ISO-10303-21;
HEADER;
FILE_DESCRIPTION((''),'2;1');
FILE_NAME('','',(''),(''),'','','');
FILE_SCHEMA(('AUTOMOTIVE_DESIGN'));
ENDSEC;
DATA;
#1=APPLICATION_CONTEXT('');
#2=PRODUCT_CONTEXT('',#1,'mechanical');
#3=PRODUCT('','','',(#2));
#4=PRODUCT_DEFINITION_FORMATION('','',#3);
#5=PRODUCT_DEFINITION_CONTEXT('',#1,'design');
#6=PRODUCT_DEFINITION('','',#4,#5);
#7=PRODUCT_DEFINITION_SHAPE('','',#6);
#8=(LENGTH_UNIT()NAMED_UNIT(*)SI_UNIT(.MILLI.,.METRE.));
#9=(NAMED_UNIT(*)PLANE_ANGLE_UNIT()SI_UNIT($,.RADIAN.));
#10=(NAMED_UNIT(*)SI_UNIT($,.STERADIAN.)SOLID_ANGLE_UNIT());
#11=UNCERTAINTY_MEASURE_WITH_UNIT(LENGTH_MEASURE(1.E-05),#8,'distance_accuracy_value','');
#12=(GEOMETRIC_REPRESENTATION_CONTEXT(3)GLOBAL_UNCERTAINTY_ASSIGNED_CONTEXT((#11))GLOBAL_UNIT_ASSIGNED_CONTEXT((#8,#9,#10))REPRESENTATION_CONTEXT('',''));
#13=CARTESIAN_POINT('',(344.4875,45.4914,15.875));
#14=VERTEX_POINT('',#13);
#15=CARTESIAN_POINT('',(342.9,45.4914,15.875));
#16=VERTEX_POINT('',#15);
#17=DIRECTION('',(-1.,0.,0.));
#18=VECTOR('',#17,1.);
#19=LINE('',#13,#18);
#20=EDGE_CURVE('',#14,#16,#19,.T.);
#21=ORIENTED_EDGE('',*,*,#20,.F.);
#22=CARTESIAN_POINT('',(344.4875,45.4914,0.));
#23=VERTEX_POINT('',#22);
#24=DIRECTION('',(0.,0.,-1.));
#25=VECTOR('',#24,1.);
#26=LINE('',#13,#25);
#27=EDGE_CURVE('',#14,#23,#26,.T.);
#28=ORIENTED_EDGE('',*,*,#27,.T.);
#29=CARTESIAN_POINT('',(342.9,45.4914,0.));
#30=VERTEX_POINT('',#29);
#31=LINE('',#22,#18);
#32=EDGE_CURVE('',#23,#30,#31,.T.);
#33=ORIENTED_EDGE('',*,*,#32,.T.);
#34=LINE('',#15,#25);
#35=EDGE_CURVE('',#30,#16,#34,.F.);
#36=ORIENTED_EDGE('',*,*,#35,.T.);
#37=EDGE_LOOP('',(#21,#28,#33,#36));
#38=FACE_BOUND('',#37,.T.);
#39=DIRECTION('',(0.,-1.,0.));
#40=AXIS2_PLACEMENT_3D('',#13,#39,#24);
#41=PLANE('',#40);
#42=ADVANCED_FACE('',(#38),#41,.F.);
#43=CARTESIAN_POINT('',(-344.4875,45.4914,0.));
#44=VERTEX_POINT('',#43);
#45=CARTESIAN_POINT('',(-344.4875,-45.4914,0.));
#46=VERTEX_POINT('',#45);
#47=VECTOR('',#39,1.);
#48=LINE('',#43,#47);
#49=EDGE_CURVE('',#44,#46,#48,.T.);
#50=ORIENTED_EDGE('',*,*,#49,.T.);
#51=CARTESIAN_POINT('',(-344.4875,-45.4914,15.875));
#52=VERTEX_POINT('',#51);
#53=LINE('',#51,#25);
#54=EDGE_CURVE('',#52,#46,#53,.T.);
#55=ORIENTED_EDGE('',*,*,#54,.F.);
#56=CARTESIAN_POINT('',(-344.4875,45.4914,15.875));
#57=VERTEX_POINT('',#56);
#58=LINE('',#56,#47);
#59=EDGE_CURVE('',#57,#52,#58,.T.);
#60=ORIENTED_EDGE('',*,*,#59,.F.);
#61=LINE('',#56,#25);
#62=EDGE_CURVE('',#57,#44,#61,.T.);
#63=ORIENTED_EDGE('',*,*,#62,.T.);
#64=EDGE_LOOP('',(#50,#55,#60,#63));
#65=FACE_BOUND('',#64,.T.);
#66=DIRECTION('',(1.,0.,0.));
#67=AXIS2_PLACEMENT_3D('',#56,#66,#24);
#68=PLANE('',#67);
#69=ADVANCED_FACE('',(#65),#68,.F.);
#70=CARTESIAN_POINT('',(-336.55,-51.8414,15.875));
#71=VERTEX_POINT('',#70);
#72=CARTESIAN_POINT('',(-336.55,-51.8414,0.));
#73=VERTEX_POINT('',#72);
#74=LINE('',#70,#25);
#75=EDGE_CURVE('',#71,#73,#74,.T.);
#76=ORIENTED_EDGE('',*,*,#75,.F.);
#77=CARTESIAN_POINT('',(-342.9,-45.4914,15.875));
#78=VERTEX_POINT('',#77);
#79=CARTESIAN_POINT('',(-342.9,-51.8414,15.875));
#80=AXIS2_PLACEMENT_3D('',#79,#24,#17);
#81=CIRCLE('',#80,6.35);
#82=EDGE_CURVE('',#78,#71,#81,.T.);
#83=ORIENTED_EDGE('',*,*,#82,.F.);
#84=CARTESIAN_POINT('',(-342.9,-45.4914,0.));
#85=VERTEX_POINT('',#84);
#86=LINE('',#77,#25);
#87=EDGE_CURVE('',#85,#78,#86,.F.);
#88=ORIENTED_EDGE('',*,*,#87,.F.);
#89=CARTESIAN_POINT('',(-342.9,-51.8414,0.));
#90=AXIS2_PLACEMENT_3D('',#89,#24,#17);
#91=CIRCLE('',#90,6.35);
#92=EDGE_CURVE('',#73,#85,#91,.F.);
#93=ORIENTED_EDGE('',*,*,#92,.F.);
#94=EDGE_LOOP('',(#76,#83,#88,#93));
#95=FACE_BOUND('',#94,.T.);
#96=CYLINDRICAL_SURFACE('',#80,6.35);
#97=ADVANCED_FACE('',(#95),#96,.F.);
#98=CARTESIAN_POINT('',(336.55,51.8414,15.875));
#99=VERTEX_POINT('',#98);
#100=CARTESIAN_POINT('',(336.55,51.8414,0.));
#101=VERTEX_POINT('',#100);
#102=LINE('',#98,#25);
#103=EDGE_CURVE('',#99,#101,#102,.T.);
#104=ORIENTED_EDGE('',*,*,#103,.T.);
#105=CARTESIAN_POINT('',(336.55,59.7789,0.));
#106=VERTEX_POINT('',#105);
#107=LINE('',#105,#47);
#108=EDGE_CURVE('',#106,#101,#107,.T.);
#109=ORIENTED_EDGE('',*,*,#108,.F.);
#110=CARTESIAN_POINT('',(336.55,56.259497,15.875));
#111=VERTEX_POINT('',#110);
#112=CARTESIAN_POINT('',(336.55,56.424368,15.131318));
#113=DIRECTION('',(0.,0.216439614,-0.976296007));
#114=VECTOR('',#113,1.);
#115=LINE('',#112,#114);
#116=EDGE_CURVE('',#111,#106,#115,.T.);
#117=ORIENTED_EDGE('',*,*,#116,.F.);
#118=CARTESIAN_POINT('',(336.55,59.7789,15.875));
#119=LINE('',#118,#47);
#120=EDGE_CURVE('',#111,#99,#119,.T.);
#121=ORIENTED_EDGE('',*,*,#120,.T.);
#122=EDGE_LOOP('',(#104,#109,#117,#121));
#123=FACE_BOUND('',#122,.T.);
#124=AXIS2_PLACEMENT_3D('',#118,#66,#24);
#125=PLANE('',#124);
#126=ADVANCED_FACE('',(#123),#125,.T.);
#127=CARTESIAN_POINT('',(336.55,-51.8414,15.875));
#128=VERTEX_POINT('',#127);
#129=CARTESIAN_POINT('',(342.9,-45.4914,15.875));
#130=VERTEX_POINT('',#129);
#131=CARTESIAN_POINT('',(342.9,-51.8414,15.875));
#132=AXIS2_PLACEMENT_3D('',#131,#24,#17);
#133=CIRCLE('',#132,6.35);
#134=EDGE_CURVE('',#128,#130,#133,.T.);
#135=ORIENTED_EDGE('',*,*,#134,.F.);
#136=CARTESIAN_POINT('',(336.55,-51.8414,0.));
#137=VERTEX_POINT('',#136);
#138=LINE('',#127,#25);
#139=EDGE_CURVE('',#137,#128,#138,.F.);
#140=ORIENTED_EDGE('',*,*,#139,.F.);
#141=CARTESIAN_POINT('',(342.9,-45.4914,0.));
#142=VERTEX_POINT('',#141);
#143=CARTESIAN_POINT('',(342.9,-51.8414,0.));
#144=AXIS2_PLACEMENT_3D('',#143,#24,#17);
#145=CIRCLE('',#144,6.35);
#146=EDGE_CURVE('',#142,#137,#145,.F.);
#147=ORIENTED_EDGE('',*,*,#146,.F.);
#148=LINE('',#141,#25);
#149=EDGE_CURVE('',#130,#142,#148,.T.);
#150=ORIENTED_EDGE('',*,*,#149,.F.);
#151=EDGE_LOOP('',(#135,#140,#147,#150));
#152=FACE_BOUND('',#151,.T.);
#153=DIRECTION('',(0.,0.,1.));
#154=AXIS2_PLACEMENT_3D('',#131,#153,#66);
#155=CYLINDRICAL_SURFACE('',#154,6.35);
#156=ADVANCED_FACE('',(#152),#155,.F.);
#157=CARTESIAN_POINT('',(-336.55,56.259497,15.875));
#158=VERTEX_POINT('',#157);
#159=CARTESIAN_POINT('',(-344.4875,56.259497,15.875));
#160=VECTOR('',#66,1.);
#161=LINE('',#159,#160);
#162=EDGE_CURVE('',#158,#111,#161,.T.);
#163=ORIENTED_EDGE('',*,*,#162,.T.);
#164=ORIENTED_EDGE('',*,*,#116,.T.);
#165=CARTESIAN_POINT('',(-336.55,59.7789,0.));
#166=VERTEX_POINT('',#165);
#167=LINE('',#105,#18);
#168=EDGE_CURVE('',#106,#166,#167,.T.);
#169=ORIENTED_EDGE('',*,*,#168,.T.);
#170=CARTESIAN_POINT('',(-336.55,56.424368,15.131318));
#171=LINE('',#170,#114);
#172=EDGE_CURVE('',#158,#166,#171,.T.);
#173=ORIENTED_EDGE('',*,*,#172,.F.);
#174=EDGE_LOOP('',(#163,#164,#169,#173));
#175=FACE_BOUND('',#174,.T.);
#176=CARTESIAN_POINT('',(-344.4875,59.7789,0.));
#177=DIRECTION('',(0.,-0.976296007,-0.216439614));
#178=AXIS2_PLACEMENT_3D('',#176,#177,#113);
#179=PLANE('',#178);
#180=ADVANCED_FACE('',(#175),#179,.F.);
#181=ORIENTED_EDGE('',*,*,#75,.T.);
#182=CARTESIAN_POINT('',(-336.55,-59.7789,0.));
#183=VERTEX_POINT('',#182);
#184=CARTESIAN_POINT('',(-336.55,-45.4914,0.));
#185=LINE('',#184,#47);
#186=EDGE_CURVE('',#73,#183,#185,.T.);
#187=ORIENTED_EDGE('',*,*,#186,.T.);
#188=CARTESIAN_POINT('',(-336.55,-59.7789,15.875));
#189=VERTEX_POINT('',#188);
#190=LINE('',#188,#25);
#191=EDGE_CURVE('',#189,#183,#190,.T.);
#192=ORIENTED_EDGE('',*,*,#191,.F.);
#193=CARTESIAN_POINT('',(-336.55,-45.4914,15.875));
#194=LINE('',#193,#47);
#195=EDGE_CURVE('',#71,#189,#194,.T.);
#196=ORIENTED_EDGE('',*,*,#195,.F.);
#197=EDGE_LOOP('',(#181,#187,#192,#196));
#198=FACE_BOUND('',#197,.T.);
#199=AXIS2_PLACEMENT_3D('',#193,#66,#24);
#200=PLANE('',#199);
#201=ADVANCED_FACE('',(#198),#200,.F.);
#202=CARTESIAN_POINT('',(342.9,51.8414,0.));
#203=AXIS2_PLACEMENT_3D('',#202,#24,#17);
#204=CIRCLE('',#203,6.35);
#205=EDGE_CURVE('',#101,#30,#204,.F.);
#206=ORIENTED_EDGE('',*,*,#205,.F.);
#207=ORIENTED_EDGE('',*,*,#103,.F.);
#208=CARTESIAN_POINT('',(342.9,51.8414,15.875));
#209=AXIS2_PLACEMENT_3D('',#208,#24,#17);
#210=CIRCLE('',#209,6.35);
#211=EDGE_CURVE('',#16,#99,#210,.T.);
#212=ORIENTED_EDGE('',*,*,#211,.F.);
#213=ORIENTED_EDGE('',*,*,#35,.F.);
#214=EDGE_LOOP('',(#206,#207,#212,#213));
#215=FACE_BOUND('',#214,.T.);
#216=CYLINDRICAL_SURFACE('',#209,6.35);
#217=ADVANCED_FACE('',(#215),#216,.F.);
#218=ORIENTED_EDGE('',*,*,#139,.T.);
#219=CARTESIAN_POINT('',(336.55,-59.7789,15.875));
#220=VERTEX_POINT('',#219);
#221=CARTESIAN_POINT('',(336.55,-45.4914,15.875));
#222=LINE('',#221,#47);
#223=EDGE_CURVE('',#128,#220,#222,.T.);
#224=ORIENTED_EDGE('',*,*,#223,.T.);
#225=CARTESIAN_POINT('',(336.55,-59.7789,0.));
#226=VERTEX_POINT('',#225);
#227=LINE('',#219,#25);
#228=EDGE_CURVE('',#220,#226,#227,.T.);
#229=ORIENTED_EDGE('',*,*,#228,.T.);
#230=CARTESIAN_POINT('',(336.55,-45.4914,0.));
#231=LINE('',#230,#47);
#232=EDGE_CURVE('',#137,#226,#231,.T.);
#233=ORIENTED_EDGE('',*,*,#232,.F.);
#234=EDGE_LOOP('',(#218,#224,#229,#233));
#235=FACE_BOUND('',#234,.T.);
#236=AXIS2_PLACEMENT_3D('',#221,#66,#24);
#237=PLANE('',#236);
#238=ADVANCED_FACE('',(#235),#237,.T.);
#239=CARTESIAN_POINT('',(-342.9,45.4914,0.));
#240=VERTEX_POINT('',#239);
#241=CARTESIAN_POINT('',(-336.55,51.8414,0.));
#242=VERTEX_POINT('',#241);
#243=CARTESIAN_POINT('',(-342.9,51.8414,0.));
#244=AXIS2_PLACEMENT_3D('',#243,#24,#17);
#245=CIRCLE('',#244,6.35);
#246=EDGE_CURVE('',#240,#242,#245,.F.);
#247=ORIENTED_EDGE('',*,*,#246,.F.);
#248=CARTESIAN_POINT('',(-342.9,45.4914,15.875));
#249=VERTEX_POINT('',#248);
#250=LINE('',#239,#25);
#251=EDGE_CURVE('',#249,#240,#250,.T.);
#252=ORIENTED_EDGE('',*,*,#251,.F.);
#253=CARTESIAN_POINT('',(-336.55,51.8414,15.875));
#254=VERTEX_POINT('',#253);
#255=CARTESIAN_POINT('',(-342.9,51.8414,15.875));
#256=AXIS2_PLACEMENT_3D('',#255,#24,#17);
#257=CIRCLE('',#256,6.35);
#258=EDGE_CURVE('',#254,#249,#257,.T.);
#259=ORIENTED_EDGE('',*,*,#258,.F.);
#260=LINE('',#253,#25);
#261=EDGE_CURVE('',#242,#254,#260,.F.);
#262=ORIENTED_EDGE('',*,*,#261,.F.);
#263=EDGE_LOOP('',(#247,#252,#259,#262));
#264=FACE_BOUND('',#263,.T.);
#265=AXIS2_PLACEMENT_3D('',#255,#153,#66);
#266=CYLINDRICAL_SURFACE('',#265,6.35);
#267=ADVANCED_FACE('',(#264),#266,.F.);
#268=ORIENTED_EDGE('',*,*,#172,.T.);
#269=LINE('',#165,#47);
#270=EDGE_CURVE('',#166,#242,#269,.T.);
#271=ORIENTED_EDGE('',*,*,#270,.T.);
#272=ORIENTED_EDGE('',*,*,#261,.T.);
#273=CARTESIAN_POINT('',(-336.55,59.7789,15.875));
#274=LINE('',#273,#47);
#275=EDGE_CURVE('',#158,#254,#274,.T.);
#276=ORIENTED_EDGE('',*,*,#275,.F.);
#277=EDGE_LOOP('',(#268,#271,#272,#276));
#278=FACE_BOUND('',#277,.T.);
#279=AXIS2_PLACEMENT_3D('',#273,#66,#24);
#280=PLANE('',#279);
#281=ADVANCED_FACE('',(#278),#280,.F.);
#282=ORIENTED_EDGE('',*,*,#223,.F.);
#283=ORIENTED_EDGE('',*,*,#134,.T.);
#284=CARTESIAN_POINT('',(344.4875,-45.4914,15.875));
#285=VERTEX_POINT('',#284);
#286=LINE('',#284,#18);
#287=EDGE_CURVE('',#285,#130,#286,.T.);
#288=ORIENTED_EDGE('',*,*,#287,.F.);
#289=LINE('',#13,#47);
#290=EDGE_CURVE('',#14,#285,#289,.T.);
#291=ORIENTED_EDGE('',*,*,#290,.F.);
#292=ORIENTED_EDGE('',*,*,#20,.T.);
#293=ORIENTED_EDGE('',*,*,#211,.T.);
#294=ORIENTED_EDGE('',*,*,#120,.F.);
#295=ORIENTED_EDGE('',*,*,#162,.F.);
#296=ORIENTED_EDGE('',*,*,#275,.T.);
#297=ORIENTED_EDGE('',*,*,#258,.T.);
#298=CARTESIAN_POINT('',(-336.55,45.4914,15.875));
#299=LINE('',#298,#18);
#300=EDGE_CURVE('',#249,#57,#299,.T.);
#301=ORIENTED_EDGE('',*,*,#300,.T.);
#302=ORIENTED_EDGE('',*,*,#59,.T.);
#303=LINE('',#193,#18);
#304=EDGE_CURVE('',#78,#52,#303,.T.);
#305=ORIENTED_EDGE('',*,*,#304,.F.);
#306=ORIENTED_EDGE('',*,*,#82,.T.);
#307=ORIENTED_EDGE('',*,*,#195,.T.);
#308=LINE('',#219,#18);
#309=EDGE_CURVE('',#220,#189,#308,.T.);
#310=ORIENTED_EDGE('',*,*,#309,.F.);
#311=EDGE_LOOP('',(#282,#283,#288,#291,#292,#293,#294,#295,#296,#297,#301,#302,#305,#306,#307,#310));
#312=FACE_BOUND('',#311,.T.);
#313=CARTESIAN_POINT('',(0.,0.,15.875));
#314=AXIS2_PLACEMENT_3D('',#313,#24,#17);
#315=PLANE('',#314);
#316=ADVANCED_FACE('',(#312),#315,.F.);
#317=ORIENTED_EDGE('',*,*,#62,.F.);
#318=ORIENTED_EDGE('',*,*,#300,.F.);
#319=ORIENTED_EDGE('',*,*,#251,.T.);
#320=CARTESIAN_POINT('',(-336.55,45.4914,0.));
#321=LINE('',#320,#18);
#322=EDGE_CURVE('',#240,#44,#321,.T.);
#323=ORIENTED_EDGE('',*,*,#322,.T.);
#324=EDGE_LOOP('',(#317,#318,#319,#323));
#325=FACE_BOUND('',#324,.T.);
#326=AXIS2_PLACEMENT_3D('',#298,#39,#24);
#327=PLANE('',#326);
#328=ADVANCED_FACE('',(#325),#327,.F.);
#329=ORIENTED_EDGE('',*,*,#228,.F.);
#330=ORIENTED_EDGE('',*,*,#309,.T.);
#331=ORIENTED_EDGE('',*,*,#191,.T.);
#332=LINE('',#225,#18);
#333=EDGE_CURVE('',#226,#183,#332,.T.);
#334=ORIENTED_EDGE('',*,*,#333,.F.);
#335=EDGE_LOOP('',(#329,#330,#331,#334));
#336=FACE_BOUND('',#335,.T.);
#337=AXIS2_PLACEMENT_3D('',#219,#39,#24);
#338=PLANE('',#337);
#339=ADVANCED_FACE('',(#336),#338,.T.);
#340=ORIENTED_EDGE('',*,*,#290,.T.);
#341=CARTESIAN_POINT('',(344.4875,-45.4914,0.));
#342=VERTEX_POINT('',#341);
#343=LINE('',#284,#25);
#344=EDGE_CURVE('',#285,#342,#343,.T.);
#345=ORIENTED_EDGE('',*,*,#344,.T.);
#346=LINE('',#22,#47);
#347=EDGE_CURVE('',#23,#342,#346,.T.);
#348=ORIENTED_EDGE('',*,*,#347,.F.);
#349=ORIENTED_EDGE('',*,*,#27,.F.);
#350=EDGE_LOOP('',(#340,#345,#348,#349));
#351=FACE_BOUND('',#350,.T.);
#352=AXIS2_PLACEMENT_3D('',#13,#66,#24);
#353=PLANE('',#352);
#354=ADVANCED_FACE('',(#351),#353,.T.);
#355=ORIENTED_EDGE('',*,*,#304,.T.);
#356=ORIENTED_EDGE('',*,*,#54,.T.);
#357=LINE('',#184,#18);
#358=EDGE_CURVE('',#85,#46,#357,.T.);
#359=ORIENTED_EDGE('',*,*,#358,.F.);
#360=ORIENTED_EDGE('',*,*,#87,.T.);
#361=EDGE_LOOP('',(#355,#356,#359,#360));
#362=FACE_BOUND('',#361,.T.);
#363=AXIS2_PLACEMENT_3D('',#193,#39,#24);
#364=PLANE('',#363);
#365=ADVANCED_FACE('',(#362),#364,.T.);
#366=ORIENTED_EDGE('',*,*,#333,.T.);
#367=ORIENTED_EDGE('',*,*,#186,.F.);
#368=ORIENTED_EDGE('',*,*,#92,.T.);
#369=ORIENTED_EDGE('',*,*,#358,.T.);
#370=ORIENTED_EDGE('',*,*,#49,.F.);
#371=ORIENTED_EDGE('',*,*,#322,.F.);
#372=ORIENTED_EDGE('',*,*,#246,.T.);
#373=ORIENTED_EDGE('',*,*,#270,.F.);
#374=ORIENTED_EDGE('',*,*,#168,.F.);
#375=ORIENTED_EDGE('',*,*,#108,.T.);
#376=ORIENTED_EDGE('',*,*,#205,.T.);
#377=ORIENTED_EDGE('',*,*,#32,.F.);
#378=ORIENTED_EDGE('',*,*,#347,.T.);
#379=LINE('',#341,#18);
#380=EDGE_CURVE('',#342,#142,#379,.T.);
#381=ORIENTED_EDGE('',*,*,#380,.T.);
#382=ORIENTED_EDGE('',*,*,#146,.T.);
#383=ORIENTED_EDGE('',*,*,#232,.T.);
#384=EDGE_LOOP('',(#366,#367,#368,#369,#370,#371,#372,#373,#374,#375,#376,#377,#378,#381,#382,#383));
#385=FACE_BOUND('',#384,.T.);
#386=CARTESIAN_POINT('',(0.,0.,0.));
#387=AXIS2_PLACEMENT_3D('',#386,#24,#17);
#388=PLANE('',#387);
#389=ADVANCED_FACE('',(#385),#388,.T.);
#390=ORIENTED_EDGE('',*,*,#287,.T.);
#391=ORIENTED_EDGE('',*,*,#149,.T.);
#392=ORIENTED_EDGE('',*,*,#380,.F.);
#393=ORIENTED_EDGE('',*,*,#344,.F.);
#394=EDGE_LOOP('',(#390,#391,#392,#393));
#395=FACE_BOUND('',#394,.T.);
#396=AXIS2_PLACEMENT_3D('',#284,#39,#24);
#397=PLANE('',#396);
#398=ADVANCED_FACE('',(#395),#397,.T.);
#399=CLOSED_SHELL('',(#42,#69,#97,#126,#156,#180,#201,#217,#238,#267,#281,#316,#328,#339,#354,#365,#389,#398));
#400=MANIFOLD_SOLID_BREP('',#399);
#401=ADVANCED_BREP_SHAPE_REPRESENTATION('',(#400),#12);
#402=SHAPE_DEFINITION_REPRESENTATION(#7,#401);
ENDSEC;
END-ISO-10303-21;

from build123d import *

# Parameters (mm, degrees)
BOSS_EXTRUDE1_DEPTH     = 15.875
FILLET1_R               = 6.35
CUT_EXTRUDE1_DEPTH      = 1
CUT_EXTRUDE1_DEPTH_BACK = 689.975


with BuildPart() as part:
    # Sketch1 → Boss-Extrude1 (new body)
    with BuildSketch(Plane.XY):
        Polygon((-336.55, -45.4914), (-336.55, -59.7789), (336.55, -59.7789), (336.55, -45.4914), (344.4875, -45.4914), (344.4875, 45.4914), (336.55, 45.4914), (336.55, 59.7789), (-336.55, 59.7789), (-336.55, 45.4914), (-344.4875, 45.4914), (-344.4875, -45.4914), align=None)
    extrude(amount=BOSS_EXTRUDE1_DEPTH)

    # Fillet1
    fillet1_edges = [part.edges().sort_by_distance(p)[0] for p in [
        (-336.55, 45.4914, 7.9375),
        (-336.55, -45.4914, 7.9375),
        (336.55, -45.4914, 7.9375),
        (336.55, 45.4914, 7.9375),
    ]]
    fillet(fillet1_edges, radius=FILLET1_R)

    # Sketch2 → Cut-Extrude1 (cut, two sides)
    with BuildSketch(Plane(origin=(344.4875, 0, 0), x_dir=(0, 0, -1), z_dir=(1, 0, 0))) as cut_extrude1_sk:
        Polygon((0, 59.7789), (-15.875, 56.259497231), (-15.875, 59.7789), align=None)
    extrude(amount=CUT_EXTRUDE1_DEPTH, mode=Mode.SUBTRACT)
    extrude(cut_extrude1_sk.sketch, amount=-CUT_EXTRUDE1_DEPTH_BACK, mode=Mode.SUBTRACT)


solid = part.part
